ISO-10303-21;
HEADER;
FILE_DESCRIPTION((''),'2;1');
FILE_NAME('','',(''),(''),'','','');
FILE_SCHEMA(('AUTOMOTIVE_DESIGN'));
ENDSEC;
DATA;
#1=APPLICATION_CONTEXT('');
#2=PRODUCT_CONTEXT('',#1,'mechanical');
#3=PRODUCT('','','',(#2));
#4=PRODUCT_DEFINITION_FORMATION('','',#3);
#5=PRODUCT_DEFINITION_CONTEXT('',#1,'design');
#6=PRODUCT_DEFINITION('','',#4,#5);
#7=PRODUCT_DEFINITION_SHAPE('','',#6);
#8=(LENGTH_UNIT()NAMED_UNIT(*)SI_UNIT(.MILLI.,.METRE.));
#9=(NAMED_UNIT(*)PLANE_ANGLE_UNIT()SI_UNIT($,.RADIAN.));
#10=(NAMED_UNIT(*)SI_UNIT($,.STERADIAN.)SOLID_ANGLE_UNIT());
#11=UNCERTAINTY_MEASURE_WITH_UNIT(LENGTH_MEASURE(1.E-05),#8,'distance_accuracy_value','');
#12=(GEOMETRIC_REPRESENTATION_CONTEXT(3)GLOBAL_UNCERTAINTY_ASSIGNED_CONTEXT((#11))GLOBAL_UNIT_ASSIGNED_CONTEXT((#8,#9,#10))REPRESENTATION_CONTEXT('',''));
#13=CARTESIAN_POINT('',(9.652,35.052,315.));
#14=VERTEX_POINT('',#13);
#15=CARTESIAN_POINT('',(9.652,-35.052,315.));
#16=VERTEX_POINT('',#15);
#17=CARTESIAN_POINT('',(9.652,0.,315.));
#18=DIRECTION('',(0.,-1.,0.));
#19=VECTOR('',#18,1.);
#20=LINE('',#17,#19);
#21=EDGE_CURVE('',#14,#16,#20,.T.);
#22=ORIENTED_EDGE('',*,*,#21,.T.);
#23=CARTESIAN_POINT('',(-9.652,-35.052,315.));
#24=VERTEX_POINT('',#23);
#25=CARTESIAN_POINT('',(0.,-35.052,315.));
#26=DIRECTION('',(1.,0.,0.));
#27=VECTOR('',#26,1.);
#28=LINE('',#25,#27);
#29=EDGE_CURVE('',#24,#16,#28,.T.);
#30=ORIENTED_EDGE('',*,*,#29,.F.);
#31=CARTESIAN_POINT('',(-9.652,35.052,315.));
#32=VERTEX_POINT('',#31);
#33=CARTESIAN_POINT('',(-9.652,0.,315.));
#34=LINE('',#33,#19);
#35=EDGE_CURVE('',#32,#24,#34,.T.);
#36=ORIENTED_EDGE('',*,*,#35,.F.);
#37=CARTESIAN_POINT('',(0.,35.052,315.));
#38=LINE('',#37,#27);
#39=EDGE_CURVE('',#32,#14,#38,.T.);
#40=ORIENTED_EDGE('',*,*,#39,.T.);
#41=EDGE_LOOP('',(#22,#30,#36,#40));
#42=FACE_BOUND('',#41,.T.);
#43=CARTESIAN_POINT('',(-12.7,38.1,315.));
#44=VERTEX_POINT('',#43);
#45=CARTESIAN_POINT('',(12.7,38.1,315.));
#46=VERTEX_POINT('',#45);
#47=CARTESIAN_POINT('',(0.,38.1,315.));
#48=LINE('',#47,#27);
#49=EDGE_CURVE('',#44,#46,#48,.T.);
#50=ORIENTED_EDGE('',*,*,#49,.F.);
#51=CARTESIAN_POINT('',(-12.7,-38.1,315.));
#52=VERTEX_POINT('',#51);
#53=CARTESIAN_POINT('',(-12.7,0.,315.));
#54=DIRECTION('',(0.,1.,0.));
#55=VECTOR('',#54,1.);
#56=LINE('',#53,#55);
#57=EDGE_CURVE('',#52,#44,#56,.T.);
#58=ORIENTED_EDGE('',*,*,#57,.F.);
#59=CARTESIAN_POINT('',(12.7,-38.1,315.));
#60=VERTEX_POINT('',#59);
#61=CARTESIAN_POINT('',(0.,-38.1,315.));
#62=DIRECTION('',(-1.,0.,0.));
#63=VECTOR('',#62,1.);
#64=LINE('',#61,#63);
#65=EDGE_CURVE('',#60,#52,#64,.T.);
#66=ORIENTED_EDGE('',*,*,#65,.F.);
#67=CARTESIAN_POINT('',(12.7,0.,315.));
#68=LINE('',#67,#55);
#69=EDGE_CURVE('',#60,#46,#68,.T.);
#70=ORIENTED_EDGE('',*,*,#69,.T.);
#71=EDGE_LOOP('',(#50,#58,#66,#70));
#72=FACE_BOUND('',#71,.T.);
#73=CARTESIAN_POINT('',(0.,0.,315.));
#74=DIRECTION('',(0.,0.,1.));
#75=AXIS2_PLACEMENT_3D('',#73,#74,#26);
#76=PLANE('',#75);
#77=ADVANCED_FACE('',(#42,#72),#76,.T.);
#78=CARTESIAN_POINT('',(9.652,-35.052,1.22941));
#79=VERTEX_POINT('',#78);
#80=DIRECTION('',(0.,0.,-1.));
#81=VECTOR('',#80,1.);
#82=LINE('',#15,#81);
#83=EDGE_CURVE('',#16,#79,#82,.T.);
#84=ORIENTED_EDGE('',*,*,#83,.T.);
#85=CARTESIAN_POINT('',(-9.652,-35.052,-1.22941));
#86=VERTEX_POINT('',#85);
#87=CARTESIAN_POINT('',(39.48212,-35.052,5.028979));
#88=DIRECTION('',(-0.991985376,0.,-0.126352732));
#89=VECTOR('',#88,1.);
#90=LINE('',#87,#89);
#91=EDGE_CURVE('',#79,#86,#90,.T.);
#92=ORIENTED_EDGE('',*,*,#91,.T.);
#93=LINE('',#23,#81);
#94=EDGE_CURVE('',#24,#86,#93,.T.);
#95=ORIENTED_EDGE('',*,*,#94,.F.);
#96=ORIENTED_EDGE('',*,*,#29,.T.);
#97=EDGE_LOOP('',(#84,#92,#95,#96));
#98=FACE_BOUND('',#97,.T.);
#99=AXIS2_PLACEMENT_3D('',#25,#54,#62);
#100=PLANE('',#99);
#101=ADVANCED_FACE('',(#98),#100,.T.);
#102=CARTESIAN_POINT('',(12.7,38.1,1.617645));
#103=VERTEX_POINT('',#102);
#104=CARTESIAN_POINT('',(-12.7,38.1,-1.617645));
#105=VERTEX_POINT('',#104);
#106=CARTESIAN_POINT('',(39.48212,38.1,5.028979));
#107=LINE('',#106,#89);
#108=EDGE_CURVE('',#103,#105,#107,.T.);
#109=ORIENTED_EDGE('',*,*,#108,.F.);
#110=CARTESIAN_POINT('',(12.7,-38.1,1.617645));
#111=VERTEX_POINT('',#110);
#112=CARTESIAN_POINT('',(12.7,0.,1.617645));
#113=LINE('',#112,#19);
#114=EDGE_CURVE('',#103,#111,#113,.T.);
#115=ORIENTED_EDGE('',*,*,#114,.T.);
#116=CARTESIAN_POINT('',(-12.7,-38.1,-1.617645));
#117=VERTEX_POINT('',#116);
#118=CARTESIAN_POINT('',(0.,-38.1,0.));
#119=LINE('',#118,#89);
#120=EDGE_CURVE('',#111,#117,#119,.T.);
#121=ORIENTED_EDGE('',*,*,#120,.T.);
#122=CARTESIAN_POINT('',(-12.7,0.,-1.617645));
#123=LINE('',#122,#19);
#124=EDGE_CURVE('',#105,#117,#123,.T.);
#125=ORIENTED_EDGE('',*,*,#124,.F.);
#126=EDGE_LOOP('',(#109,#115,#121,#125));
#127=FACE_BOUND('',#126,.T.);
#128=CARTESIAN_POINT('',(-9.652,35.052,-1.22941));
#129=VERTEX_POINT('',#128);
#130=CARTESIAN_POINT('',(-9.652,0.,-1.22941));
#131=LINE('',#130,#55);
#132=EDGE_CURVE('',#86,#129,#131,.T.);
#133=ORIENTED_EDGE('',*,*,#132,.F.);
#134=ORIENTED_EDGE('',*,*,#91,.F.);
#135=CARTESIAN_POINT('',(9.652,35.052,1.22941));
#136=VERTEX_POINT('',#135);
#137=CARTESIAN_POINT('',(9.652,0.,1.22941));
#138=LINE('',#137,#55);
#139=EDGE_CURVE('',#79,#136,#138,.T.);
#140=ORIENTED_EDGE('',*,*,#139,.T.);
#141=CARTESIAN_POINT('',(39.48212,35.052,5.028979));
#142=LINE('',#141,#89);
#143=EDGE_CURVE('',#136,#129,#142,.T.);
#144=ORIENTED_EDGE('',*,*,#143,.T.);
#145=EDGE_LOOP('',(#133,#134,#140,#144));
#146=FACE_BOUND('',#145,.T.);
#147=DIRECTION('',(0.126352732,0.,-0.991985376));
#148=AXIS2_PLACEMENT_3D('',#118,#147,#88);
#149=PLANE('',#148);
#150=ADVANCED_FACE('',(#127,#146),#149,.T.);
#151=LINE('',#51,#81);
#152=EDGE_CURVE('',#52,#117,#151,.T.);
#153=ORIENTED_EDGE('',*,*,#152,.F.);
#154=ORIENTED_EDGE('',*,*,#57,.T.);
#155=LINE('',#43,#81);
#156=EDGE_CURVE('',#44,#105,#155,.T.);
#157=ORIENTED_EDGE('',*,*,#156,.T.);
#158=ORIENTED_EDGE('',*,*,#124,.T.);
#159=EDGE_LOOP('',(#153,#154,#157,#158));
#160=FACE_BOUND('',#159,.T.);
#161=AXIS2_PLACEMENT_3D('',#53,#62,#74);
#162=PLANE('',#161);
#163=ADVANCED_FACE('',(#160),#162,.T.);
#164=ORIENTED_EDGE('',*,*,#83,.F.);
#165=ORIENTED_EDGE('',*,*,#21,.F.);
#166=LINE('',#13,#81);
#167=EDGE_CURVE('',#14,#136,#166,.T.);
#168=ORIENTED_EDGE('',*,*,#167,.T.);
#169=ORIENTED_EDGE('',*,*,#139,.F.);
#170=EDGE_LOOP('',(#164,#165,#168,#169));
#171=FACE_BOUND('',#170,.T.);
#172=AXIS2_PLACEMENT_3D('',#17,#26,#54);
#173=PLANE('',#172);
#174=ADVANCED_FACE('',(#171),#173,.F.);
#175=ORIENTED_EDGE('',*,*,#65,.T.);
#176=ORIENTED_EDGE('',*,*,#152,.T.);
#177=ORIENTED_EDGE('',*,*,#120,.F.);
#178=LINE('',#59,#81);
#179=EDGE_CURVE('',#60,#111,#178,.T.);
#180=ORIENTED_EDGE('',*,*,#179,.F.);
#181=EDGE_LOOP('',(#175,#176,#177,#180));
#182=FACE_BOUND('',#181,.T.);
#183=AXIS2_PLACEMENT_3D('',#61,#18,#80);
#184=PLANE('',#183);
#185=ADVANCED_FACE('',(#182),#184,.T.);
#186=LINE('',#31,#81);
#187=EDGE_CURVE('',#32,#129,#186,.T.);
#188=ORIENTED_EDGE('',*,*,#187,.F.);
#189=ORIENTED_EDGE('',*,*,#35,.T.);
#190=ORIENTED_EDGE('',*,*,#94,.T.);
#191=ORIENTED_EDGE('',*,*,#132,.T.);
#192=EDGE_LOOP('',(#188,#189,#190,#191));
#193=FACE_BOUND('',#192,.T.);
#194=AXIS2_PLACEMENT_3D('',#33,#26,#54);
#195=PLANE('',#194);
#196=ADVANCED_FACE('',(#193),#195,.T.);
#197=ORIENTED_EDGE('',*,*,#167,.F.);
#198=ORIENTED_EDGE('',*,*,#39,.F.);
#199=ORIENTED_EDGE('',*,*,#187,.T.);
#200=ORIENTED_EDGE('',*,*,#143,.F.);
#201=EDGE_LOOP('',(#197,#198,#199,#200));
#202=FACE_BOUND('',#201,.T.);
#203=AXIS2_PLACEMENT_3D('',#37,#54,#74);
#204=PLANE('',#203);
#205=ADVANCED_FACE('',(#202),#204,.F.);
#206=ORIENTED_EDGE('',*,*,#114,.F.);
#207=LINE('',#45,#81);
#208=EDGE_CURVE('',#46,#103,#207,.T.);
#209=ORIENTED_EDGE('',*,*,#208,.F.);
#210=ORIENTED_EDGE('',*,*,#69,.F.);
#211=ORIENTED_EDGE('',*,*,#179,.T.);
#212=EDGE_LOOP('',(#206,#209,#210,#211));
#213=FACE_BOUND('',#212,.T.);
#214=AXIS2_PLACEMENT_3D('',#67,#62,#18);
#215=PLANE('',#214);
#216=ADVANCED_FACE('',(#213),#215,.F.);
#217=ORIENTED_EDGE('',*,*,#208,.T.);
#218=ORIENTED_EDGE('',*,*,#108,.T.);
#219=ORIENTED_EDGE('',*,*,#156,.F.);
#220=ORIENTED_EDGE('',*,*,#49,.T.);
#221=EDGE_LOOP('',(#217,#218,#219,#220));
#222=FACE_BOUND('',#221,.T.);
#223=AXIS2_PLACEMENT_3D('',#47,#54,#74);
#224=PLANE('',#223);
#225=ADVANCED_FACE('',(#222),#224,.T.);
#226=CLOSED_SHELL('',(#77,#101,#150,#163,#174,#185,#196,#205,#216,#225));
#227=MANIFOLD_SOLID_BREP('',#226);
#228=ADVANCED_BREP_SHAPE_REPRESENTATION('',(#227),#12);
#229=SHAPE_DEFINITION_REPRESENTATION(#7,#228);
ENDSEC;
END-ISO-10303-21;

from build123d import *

# Parameters (mm, degrees)
SKETCH2_W               = 9.652
SKETCH2_H               = 3.048
SKETCH2_W_2             = 3.048
SKETCH2_H_2             = 35.052
BOSS_EXTRUDE1_DEPTH     = 315
SKETCH3_W               = 25.4
SKETCH3_H               = 76.2
SKETCH3_W_2             = 19.304
SKETCH3_H_2             = 70.104
BOSS_EXTRUDE2_DEPTH     = 50
CUT_EXTRUDE1_DEPTH      = 1
CUT_EXTRUDE1_DEPTH_BACK = 77.2


with BuildPart() as part:
    # Sketch2 → Boss-Extrude1 (new body)
    with BuildSketch(Plane.XY):
        Polygon((-12.7, 0), (-9.652, 0), (-9.652, 35.052), (-9.652, 38.1), (-12.7, 38.1), align=None)
        with Locations((-4.826, 36.576)):
            Rectangle(SKETCH2_W, SKETCH2_H)
        Polygon((0, 38.1), (0, 35.052), (9.652, 35.052), (9.652, 0), (12.7, 0), (12.7, 38.1), align=None)
        with Locations((11.176, -17.526)):
            Rectangle(SKETCH2_W_2, SKETCH2_H_2)
        Polygon((-9.652, -35.052), (-9.652, 0), (-12.7, 0), (-12.7, -38.1), (0, -38.1), (0, -35.052), align=None)
        Polygon((9.652, -35.052), (0, -35.052), (0, -38.1), (12.7, -38.1), (12.7, -35.052), align=None)
    extrude(amount=BOSS_EXTRUDE1_DEPTH)

    # Sketch3 → Boss-Extrude2 (add)
    with BuildSketch(Plane(origin=(0, 0, 0), x_dir=(-1, 0, 0), z_dir=(0, 0, -1))):
        Rectangle(SKETCH3_W, SKETCH3_H)
        Rectangle(SKETCH3_W_2, SKETCH3_H_2, mode=Mode.SUBTRACT)
    extrude(amount=BOSS_EXTRUDE2_DEPTH)

    # Sketch4 → Cut-Extrude1 (cut, two sides)
    with BuildSketch(Plane(origin=(0, 38.1, 0), x_dir=(1, 0, 0), z_dir=(0, 1, 0))) as cut_extrude1_sk:
        Polygon((12.7, 48.301505629), (115.189557491, -14.672106721), (124.098071564, 55.267937569), (-106.281043419, 84.612151011), (-115.189557491, 14.672106721), (-12.7, 1.617644511), (-12.7, 50), (12.7, 50), align=None)
        Polygon((12.7, -1.617644511), (115.189557491, -14.672106721), (12.7, 48.301505629), align=None)
        Polygon((0, 0), (12.7, -1.617644511), (12.7, 48.301505629), (12.534006261, 48.403498707), align=None)
        Polygon((12.534006261, 48.403498707), (12.7, 48.301505629), (12.7, 50), (-12.7, 50), (-12.7, 1.617644511), (0, 0), align=None)
    extrude(amount=CUT_EXTRUDE1_DEPTH, mode=Mode.SUBTRACT)
    extrude(cut_extrude1_sk.sketch, amount=-CUT_EXTRUDE1_DEPTH_BACK, mode=Mode.SUBTRACT)


solid = part.part
